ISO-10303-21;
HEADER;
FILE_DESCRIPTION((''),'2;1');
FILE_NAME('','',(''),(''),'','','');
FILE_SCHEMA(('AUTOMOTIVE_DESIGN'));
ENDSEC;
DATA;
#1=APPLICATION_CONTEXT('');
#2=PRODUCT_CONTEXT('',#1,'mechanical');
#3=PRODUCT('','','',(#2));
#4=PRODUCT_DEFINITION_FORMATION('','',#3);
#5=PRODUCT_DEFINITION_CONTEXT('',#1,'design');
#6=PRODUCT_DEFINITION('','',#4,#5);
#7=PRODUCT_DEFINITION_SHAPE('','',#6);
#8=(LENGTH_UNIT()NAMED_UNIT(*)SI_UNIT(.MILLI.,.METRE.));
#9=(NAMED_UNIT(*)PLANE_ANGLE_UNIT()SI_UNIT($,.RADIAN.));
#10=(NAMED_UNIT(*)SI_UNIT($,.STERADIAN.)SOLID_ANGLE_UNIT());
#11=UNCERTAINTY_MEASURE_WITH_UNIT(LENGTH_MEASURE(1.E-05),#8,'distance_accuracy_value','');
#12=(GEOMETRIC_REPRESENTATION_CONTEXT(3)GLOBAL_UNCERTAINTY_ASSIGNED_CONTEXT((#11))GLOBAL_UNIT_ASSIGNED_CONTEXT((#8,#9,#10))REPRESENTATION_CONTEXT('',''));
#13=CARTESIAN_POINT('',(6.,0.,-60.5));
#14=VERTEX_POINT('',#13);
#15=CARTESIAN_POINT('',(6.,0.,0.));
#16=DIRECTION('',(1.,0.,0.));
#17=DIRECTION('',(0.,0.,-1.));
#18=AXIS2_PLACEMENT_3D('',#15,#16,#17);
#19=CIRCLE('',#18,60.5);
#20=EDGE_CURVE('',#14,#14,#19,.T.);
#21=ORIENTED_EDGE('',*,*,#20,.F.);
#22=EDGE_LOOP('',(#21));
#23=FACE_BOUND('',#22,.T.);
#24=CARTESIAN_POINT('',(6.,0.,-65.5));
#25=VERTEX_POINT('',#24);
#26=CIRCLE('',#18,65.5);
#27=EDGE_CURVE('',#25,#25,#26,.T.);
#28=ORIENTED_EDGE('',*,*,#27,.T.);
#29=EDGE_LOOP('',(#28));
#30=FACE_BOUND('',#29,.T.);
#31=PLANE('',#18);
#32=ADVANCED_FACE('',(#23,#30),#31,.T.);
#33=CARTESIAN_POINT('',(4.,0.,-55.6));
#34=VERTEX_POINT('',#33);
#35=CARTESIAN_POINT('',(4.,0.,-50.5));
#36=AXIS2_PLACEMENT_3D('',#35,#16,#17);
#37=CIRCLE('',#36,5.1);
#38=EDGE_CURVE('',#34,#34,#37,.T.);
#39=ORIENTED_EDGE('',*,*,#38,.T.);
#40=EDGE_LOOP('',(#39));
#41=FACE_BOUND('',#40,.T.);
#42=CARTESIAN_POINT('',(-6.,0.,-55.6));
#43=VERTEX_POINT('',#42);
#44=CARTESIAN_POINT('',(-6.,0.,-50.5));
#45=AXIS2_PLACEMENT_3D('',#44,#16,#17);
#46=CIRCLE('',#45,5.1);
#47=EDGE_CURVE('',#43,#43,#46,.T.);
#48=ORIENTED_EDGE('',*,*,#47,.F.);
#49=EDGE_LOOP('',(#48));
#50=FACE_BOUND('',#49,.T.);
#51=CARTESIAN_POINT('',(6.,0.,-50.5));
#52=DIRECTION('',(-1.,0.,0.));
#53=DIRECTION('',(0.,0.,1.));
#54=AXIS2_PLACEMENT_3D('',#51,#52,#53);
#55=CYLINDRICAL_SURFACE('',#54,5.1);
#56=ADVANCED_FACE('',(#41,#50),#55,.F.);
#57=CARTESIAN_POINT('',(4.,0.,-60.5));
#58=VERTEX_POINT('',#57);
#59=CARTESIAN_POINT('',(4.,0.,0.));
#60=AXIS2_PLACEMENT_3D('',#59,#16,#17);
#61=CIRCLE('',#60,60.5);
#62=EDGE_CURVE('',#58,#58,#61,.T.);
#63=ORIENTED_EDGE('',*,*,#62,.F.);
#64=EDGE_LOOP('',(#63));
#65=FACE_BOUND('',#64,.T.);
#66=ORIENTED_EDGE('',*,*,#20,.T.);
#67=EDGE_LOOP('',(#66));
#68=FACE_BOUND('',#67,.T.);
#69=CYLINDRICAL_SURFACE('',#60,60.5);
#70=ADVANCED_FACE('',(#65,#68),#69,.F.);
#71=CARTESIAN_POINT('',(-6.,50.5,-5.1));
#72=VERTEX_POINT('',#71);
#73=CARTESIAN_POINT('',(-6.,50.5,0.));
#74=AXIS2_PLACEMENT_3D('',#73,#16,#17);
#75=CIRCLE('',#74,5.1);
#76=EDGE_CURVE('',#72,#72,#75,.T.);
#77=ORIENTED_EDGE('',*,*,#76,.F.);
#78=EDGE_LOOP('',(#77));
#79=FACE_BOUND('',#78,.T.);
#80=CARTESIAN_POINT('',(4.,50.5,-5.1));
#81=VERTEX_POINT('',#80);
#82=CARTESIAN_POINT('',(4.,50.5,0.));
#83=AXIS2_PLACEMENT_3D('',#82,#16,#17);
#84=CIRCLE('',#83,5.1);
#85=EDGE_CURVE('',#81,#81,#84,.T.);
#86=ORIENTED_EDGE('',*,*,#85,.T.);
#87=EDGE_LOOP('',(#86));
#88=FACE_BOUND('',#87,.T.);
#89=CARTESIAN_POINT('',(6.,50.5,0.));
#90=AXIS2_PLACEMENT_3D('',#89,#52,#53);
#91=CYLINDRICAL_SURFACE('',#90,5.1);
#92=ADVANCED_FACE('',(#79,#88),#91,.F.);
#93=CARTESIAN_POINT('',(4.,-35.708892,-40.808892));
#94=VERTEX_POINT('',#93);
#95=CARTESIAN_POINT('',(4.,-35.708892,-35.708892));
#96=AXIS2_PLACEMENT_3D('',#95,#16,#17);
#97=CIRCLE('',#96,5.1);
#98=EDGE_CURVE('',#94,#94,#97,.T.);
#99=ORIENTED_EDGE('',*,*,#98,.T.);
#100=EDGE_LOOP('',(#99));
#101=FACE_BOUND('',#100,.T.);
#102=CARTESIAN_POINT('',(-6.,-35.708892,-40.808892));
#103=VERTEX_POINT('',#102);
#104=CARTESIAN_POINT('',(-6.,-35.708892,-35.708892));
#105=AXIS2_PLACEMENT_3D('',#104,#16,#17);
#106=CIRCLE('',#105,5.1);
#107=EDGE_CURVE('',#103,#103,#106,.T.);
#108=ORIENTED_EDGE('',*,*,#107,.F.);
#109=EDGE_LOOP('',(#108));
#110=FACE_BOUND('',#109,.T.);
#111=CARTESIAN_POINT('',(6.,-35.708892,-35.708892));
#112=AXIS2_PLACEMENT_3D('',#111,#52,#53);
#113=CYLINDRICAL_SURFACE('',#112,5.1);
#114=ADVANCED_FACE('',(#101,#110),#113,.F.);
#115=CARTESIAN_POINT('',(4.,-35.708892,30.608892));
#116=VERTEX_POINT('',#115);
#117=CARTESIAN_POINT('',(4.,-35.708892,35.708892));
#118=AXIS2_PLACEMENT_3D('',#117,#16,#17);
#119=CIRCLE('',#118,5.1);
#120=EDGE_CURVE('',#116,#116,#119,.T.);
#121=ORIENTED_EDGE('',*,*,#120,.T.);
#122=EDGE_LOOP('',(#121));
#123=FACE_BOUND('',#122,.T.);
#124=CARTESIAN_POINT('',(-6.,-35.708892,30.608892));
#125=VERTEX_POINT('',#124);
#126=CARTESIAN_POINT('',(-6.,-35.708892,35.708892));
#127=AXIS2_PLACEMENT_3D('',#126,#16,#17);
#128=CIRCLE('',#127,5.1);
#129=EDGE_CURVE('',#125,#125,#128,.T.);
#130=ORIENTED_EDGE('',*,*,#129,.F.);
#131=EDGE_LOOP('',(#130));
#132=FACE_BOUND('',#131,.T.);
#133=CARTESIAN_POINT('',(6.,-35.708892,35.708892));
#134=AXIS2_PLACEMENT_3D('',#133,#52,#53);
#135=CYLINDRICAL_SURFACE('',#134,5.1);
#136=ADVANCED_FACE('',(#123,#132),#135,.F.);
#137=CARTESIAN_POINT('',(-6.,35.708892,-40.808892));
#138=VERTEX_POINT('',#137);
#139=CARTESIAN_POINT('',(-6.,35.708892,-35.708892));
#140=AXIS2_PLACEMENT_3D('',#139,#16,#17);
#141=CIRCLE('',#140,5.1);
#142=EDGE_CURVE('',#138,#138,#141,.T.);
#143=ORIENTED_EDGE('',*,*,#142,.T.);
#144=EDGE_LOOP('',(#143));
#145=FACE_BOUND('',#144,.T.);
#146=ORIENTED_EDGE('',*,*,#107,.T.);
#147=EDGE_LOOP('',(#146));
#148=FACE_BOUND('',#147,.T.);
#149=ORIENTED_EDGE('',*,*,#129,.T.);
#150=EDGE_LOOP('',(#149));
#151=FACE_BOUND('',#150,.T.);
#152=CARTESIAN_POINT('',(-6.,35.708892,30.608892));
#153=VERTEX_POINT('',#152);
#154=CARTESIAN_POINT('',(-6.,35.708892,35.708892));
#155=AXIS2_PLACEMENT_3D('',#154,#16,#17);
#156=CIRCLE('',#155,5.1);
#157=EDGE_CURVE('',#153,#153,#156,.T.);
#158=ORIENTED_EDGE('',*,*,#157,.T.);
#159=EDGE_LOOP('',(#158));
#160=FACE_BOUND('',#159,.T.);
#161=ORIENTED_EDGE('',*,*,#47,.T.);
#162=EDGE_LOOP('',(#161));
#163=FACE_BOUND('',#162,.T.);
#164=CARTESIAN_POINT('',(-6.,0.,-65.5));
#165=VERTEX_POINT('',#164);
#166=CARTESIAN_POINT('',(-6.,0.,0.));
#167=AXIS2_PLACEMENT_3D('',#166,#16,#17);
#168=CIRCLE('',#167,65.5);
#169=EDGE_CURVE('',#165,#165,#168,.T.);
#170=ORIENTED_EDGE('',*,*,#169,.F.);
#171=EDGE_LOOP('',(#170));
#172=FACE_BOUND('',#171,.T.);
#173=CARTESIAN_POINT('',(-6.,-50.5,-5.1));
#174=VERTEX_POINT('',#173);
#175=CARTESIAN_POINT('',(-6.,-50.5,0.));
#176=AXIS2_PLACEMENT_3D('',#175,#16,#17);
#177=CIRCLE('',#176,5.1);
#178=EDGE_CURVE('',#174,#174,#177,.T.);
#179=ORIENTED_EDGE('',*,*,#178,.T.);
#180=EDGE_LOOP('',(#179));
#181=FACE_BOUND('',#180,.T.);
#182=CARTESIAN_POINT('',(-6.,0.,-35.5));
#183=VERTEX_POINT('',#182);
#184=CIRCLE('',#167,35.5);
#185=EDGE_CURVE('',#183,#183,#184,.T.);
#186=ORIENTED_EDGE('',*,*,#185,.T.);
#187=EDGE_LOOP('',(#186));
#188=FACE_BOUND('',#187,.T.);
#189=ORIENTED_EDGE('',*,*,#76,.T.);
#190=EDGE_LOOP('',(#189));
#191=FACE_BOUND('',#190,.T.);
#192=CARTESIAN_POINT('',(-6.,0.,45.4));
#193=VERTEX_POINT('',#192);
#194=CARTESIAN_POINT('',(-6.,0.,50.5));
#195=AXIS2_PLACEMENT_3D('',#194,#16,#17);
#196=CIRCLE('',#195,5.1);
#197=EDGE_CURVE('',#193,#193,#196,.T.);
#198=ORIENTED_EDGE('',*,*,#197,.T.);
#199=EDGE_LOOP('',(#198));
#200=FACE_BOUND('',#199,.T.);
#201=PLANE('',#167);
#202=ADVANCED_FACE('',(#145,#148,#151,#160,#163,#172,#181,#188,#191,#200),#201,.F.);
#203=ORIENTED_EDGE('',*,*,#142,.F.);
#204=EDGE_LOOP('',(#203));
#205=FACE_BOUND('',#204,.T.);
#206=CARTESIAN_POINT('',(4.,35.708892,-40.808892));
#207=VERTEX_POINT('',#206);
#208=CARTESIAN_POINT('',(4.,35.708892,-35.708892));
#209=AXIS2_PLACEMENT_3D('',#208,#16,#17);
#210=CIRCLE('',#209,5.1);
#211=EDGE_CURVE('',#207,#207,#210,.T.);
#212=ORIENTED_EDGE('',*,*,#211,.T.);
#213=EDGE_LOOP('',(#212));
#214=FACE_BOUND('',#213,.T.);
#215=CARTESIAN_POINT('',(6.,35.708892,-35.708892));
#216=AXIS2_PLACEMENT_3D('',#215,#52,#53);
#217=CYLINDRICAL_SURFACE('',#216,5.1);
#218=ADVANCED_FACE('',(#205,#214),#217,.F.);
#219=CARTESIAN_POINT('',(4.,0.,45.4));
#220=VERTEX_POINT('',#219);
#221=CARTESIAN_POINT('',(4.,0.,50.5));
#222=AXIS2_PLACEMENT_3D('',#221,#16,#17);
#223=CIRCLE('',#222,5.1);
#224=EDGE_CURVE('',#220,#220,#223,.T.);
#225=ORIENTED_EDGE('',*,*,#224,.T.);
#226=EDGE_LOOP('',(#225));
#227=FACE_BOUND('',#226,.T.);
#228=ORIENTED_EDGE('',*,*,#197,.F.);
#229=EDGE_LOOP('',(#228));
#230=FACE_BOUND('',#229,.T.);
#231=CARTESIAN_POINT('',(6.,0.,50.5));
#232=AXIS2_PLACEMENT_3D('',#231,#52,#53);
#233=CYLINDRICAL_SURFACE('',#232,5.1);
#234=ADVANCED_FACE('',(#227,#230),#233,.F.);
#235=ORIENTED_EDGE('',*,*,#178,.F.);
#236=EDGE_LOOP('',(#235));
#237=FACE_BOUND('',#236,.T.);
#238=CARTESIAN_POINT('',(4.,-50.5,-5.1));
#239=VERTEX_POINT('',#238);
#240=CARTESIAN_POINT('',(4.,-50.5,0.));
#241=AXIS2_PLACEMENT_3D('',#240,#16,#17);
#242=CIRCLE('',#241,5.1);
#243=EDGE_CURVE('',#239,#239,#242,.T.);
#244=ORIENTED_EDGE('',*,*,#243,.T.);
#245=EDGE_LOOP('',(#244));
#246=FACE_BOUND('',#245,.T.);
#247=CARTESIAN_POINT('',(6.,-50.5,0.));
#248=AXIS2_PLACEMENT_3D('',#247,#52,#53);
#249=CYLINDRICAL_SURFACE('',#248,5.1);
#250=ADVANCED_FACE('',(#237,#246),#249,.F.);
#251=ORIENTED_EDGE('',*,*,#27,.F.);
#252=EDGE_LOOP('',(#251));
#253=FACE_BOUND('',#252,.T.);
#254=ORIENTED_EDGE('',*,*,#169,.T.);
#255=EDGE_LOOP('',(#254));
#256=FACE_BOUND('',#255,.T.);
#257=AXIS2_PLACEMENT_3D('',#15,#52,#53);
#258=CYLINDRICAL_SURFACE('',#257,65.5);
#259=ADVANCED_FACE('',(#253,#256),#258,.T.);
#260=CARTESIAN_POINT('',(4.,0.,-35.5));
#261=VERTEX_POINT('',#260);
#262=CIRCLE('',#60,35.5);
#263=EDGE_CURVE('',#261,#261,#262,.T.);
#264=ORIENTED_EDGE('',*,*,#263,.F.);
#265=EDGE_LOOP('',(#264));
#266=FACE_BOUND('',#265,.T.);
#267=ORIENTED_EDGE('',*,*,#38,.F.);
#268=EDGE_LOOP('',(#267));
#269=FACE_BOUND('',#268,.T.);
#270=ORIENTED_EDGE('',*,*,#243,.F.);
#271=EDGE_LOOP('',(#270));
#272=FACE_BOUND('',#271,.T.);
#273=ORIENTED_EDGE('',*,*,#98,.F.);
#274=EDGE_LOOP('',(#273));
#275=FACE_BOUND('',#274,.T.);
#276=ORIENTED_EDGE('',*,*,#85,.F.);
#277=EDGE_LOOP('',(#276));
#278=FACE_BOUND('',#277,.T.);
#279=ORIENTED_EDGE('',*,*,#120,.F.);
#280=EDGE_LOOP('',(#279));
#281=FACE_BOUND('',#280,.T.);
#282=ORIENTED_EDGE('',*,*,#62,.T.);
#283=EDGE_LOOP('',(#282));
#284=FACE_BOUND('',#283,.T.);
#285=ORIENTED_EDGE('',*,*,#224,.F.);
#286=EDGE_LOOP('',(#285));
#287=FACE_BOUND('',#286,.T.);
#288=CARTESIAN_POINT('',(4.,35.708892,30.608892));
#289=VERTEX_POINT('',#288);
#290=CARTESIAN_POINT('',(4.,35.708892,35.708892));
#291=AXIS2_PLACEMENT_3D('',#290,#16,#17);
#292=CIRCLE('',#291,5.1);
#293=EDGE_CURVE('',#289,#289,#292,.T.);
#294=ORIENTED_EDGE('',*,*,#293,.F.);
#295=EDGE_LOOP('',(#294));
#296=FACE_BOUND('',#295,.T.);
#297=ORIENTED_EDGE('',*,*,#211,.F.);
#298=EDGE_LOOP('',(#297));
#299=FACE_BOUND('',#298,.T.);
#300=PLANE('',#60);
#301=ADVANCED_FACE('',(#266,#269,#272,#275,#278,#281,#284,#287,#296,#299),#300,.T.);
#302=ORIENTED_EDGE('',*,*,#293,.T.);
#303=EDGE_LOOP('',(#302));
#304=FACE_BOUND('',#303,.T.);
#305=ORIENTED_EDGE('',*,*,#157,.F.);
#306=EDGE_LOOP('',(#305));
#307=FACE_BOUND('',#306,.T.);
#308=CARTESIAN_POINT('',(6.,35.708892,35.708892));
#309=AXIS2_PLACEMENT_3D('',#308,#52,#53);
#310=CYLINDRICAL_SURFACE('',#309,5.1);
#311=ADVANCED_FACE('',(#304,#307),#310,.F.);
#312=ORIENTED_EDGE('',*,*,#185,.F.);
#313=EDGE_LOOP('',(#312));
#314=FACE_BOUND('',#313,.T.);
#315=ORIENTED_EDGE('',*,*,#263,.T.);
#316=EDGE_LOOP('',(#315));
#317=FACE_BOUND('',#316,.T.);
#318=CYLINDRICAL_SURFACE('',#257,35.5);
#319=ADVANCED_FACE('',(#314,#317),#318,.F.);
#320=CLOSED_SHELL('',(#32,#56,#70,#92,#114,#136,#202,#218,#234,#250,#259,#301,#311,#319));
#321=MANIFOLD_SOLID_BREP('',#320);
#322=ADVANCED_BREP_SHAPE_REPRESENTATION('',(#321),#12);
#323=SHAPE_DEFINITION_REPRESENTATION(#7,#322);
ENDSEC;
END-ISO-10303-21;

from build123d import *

# Parameters (mm, degrees)
SKETCH_1_R           = 65.5
SKETCH_1_R_2         = 35.5
SKETCH_1_R_3         = 5.1
EXTRUDE_1_DEPTH      = 6
SKETCH_2_OUTSIDE_W   = 170.13
SKETCH_2_OUTSIDE_H   = 170.13
SKETCH_2_OUTSIDE_R   = 65.5
SKETCH_2_OUTSIDE_R_2 = 60.5
CUT_EXTRUDE_1_DEPTH  = 2


with BuildPart() as part:
    # Эскиз1 → Бобышка-Вытянуть1 (new, symmetric)
    with BuildSketch(Plane(origin=(0, 0, 0), x_dir=(0, 0, -1), z_dir=(1, 0, 0))):
        Circle(SKETCH_1_R)
        Circle(SKETCH_1_R_2, mode=Mode.SUBTRACT)
        with Locations((0, 50.5)):
            Circle(SKETCH_1_R_3, mode=Mode.SUBTRACT)
        with Locations((35.70889245, 35.70889245)):
            Circle(SKETCH_1_R_3, mode=Mode.SUBTRACT)
        with Locations((50.5, 0)):
            Circle(SKETCH_1_R_3, mode=Mode.SUBTRACT)
        with Locations((35.70889245, -35.70889245)):
            Circle(SKETCH_1_R_3, mode=Mode.SUBTRACT)
        with Locations((0, -50.5)):
            Circle(SKETCH_1_R_3, mode=Mode.SUBTRACT)
        with Locations((-35.70889245, -35.70889245)):
            Circle(SKETCH_1_R_3, mode=Mode.SUBTRACT)
        with Locations((-50.5, 0)):
            Circle(SKETCH_1_R_3, mode=Mode.SUBTRACT)
        with Locations((-35.70889245, 35.70889245)):
            Circle(SKETCH_1_R_3, mode=Mode.SUBTRACT)
    extrude(amount=EXTRUDE_1_DEPTH, both=True)

    # Эскиз2 outside → Вырез-Вытянуть1 (cut)
    # profile 1 of 2: a face of its own
    with BuildSketch(Plane(origin=(6, 0, 0), x_dir=(0, 0, -1), z_dir=(1, 0, 0))):
        Rectangle(SKETCH_2_OUTSIDE_W, SKETCH_2_OUTSIDE_H)
        Circle(SKETCH_2_OUTSIDE_R, mode=Mode.SUBTRACT)
    # profile 2 of 2: a face of its own
    with BuildSketch(Plane(origin=(6, 0, 0), x_dir=(0, 0, -1), z_dir=(1, 0, 0))):
        Circle(SKETCH_2_OUTSIDE_R_2)
    extrude(amount=-CUT_EXTRUDE_1_DEPTH, mode=Mode.SUBTRACT)


solid = part.part
